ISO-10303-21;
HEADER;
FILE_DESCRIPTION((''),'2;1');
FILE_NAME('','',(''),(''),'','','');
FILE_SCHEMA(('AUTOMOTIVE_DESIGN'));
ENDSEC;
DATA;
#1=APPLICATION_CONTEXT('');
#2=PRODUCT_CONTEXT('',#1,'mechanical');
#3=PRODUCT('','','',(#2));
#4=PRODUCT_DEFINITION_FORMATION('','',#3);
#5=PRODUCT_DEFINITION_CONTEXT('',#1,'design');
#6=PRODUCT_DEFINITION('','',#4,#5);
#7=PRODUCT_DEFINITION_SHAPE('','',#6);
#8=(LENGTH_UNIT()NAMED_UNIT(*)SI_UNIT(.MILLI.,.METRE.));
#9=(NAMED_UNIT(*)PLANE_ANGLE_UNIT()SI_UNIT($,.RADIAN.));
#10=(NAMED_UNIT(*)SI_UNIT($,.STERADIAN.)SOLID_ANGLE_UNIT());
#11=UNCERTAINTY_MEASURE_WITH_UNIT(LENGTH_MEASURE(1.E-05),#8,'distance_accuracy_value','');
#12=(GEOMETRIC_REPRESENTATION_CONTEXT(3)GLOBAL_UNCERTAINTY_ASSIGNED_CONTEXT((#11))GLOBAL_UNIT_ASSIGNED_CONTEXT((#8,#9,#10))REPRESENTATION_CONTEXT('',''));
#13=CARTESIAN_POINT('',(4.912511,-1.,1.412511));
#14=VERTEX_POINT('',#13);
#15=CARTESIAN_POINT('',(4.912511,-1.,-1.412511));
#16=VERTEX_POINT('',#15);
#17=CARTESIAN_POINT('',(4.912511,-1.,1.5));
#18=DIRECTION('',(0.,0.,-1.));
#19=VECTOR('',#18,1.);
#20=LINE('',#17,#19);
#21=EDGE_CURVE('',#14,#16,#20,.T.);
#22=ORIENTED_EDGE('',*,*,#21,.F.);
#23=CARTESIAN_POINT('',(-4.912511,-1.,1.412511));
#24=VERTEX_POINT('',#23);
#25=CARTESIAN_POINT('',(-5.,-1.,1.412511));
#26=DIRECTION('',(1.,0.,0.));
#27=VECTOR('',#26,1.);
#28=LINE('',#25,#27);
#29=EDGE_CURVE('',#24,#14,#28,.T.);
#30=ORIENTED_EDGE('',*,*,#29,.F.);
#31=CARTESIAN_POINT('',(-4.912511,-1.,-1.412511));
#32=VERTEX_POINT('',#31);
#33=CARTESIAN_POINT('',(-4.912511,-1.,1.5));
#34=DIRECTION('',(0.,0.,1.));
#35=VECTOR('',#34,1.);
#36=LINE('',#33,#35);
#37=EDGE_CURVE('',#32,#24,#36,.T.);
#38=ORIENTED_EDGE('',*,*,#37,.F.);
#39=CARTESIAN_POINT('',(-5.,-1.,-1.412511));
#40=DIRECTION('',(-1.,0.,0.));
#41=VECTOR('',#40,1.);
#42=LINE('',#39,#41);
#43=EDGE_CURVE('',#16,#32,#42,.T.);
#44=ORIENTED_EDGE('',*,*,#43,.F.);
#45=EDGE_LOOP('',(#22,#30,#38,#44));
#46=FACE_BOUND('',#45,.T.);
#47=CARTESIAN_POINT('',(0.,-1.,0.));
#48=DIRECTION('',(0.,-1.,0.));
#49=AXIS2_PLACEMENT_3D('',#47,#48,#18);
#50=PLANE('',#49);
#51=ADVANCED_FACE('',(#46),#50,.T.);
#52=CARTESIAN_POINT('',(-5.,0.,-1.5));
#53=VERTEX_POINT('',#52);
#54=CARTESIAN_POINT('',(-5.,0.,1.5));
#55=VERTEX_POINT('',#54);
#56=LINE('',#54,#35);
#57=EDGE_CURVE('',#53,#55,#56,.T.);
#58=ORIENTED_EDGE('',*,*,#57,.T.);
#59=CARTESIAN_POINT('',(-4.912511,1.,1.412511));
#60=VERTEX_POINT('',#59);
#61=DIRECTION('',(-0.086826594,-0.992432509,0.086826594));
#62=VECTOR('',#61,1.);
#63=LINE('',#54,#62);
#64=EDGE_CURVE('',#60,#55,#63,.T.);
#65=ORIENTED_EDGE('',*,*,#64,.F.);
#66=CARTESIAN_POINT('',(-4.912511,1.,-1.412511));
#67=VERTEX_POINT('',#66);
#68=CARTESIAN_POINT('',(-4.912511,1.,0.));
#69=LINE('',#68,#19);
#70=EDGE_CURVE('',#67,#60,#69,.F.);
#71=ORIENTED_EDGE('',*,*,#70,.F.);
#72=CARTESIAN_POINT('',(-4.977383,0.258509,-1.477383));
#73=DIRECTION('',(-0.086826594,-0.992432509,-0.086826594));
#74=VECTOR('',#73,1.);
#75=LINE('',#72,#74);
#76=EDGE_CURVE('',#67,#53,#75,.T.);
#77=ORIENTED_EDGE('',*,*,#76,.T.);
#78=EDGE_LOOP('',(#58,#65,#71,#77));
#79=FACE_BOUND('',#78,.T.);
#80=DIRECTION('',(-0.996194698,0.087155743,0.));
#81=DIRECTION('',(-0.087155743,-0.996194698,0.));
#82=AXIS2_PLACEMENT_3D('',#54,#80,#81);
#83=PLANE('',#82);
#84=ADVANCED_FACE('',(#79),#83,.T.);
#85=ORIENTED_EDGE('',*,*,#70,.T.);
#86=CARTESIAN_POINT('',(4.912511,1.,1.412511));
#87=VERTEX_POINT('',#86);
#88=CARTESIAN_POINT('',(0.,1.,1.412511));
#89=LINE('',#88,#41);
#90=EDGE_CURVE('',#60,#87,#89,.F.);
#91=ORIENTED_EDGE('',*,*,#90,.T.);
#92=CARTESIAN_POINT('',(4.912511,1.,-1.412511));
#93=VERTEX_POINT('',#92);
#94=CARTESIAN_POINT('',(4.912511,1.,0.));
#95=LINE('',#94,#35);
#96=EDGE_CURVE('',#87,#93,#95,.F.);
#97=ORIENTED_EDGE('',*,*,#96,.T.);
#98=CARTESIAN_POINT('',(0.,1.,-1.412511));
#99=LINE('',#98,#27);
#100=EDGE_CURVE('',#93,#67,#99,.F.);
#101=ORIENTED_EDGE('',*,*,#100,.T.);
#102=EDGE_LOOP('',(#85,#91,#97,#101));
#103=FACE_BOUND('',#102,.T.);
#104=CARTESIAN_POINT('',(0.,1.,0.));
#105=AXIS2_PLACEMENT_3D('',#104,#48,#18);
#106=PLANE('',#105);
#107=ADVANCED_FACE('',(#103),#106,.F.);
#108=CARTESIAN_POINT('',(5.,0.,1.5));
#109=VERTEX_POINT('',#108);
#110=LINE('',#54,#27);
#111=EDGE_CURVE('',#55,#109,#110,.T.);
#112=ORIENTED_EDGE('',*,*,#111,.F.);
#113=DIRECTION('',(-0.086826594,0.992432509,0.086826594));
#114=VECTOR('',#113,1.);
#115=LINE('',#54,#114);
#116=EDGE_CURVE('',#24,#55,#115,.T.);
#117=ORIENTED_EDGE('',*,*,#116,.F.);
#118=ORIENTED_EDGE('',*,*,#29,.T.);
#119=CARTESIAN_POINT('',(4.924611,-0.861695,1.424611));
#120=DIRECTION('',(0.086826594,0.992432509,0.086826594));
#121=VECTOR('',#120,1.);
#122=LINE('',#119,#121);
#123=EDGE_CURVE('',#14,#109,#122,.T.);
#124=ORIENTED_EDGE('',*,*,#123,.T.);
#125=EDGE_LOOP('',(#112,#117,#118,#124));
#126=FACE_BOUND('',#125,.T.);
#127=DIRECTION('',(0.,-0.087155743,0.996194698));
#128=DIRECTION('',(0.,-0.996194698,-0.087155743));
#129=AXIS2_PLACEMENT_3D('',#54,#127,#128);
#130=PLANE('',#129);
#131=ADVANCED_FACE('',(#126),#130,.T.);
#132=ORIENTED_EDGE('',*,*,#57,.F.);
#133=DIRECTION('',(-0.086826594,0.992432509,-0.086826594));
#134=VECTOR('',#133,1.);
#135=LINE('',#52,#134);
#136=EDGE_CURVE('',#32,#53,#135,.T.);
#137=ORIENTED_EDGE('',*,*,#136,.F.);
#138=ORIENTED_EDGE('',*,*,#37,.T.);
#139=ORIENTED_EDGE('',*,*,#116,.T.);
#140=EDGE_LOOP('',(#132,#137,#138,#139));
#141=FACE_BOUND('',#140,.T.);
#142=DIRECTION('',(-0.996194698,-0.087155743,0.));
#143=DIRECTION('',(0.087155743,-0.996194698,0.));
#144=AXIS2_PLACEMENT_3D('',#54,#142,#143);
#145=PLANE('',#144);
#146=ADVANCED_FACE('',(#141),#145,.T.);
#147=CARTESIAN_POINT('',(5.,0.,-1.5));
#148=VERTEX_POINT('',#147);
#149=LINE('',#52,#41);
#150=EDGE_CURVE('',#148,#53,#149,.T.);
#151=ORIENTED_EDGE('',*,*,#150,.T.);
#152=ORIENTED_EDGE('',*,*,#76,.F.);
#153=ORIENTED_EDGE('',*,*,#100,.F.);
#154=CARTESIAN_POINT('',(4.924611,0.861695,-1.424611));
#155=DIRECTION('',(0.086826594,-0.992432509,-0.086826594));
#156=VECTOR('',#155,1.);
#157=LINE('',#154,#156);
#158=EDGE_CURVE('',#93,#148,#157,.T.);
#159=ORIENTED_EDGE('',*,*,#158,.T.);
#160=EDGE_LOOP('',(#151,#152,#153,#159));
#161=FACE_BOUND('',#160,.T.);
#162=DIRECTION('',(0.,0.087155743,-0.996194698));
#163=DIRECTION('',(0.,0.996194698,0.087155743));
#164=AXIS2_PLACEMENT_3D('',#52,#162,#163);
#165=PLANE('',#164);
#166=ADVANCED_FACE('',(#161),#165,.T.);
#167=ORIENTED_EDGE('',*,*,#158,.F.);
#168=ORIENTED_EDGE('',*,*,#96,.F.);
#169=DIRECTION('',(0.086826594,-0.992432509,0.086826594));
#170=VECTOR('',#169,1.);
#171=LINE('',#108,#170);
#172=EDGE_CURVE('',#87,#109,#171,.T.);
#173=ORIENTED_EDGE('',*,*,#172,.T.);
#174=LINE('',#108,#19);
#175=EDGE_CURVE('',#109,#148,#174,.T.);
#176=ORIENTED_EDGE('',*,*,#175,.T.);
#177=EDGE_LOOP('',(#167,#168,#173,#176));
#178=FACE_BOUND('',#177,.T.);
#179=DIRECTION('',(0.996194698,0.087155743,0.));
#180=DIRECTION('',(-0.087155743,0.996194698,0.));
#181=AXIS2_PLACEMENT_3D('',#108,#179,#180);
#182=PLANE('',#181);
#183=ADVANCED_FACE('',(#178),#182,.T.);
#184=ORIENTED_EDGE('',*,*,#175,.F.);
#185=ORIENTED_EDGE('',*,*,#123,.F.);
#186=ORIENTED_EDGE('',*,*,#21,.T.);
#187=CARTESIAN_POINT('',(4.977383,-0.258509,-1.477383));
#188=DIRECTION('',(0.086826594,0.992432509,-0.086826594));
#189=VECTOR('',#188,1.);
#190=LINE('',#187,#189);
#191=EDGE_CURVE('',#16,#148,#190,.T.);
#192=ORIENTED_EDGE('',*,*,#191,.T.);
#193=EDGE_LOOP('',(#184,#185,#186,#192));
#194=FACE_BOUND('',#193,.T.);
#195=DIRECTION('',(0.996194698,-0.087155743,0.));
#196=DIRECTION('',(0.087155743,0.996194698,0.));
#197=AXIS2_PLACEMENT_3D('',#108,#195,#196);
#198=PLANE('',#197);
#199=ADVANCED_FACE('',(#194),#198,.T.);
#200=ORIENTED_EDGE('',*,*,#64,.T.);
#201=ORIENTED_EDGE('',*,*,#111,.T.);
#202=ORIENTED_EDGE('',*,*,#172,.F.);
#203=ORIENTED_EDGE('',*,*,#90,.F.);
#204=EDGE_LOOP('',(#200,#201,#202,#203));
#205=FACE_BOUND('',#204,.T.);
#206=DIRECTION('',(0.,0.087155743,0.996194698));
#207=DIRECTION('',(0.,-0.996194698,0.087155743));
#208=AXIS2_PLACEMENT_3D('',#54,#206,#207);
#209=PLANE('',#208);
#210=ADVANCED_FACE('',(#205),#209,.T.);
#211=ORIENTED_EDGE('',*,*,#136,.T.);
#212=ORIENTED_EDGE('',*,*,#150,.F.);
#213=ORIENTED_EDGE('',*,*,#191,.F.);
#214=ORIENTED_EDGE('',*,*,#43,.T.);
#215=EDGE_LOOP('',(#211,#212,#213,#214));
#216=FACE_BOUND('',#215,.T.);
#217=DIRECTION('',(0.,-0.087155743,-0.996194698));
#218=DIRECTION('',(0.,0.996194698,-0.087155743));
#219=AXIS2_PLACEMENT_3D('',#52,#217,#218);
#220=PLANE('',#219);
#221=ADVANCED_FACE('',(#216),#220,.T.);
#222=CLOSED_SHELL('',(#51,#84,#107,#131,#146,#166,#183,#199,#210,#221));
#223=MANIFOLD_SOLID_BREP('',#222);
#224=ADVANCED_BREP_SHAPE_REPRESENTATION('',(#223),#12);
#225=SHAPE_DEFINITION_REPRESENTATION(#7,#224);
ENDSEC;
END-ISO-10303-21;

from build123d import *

# Parameters (mm, degrees)
SKETCH1_W                     = 10
SKETCH1_H                     = 3
BOSS_EXTRUDE1_DEPTH           = 1
BOSS_EXTRUDE1_TAPER           = 5
BOSS_EXTRUDE1_OTHER_WAY_DEPTH = 1
BOSS_EXTRUDE1_OTHER_WAY_TAPER = 5


with BuildPart() as part:
    # Sketch1 → Boss-Extrude1 (new body)
    with BuildSketch(Plane(origin=(0, 0, 0), x_dir=(1, 0, 0), z_dir=(0, 1, 0))):
        Rectangle(SKETCH1_W, SKETCH1_H)
    extrude(amount=BOSS_EXTRUDE1_DEPTH, taper=BOSS_EXTRUDE1_TAPER)

    # Sketch1 → Boss-Extrude1 other way (add)
    with BuildSketch(Plane(origin=(0, 0, 0), x_dir=(1, 0, 0), z_dir=(0, 1, 0))):
        Rectangle(SKETCH1_W, SKETCH1_H)
    extrude(amount=-BOSS_EXTRUDE1_OTHER_WAY_DEPTH, taper=BOSS_EXTRUDE1_OTHER_WAY_TAPER)


solid = part.part
